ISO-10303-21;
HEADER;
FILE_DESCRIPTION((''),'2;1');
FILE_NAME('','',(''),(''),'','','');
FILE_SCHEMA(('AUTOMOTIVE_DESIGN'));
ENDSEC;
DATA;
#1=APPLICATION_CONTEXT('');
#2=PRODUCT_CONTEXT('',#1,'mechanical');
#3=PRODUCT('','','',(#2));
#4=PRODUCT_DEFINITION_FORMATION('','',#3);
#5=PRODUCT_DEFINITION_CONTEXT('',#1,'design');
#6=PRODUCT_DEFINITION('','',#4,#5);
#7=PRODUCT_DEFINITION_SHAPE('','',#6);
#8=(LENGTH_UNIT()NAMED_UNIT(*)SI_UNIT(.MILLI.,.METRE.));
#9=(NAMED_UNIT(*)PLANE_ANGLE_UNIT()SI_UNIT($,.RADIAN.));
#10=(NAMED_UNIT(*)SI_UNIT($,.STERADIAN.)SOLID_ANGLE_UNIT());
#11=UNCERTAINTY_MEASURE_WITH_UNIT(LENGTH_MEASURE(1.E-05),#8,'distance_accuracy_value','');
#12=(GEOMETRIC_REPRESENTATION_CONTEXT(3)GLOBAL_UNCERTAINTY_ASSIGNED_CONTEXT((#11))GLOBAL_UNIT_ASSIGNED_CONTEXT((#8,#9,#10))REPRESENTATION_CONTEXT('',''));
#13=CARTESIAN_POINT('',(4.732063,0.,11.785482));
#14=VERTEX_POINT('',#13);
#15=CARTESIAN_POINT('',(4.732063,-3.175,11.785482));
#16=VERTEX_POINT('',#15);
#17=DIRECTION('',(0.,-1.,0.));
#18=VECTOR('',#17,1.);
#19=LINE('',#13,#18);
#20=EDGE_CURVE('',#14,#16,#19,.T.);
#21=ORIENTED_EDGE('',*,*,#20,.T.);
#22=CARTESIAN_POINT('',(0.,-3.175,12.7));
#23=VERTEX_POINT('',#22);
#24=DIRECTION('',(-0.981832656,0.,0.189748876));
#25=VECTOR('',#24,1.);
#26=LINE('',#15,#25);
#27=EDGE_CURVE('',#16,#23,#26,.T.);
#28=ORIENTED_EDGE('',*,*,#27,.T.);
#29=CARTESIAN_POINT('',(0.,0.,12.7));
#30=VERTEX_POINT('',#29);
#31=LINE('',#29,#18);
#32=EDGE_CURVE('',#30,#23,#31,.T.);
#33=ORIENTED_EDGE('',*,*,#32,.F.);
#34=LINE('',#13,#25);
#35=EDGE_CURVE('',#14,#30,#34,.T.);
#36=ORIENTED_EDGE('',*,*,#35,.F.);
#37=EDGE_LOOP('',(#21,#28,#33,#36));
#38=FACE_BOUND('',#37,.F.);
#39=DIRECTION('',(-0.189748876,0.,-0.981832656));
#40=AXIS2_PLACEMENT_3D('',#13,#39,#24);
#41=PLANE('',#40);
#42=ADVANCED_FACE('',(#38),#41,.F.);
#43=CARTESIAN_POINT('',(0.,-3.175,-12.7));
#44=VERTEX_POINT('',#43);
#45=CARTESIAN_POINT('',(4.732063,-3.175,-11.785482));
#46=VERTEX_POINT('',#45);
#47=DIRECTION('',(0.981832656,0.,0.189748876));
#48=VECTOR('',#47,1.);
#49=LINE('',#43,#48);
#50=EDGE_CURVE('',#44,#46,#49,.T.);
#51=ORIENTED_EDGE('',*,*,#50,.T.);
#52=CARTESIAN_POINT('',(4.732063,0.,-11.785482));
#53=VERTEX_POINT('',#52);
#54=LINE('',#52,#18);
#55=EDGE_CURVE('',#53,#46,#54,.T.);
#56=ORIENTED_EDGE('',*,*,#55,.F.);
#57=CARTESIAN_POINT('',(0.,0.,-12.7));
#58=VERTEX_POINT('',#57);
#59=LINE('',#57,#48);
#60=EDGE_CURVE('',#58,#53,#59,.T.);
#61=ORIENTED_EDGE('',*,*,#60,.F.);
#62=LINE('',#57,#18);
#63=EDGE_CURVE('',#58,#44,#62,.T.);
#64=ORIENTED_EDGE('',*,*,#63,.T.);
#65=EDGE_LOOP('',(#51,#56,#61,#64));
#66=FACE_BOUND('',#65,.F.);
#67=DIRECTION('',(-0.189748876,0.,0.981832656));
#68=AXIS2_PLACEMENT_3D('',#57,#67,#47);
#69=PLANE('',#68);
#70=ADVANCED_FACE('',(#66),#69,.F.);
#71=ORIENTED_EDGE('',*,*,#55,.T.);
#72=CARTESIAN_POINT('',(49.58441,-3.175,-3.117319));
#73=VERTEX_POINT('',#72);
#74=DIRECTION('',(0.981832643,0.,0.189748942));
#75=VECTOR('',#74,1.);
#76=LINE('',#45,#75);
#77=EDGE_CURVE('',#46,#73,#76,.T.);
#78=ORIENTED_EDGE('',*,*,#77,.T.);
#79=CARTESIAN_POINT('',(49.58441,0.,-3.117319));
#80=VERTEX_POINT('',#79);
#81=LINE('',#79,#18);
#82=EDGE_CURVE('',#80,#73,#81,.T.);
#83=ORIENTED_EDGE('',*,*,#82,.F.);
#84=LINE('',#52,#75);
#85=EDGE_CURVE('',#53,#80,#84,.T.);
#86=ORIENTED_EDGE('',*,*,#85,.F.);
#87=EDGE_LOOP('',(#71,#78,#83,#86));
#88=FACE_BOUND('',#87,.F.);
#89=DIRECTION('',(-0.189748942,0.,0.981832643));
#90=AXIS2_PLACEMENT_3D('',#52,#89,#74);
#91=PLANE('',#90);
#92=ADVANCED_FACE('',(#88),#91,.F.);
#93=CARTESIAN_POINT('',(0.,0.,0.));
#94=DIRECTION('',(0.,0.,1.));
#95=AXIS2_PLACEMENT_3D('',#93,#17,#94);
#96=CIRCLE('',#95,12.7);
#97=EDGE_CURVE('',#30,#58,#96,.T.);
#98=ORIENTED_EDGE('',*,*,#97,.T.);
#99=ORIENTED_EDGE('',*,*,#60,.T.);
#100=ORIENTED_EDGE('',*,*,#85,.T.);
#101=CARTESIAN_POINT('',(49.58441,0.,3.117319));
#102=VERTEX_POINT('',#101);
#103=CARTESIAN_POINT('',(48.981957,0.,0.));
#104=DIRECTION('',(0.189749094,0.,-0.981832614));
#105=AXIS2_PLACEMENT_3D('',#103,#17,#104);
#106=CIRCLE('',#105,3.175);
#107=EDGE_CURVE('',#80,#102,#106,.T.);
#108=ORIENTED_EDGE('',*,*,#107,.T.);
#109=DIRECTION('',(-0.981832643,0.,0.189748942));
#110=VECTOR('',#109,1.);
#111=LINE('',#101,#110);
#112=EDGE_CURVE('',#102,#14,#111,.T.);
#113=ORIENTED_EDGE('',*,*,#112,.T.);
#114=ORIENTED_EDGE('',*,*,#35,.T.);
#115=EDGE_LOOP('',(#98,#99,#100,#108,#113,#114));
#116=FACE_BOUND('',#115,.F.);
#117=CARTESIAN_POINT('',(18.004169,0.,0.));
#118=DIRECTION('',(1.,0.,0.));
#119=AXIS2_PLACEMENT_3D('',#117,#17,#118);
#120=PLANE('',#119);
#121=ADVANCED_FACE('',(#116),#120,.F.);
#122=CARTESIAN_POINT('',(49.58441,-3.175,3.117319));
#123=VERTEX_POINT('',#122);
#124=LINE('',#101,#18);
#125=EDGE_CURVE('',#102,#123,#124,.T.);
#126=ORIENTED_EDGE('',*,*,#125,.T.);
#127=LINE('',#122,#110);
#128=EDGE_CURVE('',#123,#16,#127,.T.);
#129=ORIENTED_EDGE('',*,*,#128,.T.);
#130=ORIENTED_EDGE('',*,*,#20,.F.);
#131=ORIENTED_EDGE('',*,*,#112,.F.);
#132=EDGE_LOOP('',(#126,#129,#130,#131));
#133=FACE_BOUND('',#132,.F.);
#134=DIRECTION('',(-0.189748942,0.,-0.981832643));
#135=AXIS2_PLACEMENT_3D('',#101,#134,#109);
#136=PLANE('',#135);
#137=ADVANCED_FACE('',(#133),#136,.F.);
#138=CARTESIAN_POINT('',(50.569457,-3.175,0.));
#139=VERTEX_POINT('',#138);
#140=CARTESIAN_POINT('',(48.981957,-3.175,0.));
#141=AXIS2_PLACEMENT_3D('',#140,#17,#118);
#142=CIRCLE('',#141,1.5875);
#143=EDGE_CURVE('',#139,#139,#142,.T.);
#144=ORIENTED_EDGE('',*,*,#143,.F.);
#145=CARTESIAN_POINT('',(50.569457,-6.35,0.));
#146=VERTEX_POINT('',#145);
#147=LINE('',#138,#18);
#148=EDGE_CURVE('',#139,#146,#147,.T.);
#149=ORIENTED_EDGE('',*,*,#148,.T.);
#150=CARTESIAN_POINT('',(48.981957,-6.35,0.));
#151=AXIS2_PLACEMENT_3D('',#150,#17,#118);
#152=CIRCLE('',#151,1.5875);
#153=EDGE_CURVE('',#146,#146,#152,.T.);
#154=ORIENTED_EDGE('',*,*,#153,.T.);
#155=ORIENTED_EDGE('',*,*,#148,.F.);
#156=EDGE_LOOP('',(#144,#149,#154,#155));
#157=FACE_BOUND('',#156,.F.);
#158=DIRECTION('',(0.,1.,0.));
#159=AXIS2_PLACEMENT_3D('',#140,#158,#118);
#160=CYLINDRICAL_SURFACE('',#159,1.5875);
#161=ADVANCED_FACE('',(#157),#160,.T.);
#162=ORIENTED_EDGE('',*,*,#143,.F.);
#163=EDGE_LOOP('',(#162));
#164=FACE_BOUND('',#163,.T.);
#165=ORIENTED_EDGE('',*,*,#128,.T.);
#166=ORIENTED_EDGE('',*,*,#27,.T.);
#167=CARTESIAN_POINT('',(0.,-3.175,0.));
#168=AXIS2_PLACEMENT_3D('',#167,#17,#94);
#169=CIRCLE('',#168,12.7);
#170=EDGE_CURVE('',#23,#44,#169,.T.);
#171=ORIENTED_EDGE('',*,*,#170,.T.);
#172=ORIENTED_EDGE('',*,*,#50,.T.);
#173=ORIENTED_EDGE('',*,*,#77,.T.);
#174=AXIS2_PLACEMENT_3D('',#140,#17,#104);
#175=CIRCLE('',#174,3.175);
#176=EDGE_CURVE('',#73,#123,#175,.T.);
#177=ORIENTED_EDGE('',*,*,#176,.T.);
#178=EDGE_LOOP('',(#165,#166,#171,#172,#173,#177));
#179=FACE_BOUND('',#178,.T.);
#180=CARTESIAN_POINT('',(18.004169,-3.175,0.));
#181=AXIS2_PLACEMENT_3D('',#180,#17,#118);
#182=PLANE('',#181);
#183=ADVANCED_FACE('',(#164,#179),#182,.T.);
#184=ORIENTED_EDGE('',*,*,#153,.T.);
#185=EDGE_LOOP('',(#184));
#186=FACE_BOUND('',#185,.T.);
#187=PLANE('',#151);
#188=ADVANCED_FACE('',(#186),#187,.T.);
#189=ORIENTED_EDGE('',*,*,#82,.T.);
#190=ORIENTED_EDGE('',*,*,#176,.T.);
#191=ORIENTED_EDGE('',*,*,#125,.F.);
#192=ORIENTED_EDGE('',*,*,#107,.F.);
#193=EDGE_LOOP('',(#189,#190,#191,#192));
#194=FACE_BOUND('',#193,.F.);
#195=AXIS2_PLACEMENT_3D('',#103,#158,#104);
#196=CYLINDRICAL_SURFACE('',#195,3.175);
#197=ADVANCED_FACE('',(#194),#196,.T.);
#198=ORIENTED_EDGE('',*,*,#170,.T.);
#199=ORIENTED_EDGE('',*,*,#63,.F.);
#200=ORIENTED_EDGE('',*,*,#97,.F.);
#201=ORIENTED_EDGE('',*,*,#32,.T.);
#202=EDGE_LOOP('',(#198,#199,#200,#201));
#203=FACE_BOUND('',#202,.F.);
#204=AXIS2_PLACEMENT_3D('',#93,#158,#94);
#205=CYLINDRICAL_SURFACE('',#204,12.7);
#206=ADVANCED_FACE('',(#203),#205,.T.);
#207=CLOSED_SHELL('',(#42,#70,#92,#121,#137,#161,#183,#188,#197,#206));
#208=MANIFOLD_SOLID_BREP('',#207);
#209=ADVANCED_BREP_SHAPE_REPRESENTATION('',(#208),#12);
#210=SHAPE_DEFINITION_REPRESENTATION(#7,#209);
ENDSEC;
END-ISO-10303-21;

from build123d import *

# Parameters (mm, degrees)
F1_DEPTH = 3.175
F2_R     = 1.5875
F3_DEPTH = 3.175


with BuildPart() as f1:
    # F0 (on Front) → F1 (new body)
    with BuildSketch(Plane.XZ):
        with BuildLine():
            Line((49.58441, 3.117319), (4.732063, 11.785482))
            Line((4.732063, 11.785482), (0, 12.7))
            ThreePointArc((0, 12.7), (-12.7, 0), (0, -12.7))
            Line((0, -12.7), (4.732063, -11.785482))
            Line((4.732063, -11.785482), (49.58441, -3.117319))
            ThreePointArc((49.58441, -3.117319), (52.156957, 0), (49.58441, 3.117319))
        make_face()
    extrude(amount=F1_DEPTH)

    # F2 (on face) → F3 (join)
    with BuildSketch(Plane.XZ.offset(3.175)):
        with Locations((48.981957, 0)):
            Circle(F2_R)
    extrude(amount=F3_DEPTH)


solid = f1.part
